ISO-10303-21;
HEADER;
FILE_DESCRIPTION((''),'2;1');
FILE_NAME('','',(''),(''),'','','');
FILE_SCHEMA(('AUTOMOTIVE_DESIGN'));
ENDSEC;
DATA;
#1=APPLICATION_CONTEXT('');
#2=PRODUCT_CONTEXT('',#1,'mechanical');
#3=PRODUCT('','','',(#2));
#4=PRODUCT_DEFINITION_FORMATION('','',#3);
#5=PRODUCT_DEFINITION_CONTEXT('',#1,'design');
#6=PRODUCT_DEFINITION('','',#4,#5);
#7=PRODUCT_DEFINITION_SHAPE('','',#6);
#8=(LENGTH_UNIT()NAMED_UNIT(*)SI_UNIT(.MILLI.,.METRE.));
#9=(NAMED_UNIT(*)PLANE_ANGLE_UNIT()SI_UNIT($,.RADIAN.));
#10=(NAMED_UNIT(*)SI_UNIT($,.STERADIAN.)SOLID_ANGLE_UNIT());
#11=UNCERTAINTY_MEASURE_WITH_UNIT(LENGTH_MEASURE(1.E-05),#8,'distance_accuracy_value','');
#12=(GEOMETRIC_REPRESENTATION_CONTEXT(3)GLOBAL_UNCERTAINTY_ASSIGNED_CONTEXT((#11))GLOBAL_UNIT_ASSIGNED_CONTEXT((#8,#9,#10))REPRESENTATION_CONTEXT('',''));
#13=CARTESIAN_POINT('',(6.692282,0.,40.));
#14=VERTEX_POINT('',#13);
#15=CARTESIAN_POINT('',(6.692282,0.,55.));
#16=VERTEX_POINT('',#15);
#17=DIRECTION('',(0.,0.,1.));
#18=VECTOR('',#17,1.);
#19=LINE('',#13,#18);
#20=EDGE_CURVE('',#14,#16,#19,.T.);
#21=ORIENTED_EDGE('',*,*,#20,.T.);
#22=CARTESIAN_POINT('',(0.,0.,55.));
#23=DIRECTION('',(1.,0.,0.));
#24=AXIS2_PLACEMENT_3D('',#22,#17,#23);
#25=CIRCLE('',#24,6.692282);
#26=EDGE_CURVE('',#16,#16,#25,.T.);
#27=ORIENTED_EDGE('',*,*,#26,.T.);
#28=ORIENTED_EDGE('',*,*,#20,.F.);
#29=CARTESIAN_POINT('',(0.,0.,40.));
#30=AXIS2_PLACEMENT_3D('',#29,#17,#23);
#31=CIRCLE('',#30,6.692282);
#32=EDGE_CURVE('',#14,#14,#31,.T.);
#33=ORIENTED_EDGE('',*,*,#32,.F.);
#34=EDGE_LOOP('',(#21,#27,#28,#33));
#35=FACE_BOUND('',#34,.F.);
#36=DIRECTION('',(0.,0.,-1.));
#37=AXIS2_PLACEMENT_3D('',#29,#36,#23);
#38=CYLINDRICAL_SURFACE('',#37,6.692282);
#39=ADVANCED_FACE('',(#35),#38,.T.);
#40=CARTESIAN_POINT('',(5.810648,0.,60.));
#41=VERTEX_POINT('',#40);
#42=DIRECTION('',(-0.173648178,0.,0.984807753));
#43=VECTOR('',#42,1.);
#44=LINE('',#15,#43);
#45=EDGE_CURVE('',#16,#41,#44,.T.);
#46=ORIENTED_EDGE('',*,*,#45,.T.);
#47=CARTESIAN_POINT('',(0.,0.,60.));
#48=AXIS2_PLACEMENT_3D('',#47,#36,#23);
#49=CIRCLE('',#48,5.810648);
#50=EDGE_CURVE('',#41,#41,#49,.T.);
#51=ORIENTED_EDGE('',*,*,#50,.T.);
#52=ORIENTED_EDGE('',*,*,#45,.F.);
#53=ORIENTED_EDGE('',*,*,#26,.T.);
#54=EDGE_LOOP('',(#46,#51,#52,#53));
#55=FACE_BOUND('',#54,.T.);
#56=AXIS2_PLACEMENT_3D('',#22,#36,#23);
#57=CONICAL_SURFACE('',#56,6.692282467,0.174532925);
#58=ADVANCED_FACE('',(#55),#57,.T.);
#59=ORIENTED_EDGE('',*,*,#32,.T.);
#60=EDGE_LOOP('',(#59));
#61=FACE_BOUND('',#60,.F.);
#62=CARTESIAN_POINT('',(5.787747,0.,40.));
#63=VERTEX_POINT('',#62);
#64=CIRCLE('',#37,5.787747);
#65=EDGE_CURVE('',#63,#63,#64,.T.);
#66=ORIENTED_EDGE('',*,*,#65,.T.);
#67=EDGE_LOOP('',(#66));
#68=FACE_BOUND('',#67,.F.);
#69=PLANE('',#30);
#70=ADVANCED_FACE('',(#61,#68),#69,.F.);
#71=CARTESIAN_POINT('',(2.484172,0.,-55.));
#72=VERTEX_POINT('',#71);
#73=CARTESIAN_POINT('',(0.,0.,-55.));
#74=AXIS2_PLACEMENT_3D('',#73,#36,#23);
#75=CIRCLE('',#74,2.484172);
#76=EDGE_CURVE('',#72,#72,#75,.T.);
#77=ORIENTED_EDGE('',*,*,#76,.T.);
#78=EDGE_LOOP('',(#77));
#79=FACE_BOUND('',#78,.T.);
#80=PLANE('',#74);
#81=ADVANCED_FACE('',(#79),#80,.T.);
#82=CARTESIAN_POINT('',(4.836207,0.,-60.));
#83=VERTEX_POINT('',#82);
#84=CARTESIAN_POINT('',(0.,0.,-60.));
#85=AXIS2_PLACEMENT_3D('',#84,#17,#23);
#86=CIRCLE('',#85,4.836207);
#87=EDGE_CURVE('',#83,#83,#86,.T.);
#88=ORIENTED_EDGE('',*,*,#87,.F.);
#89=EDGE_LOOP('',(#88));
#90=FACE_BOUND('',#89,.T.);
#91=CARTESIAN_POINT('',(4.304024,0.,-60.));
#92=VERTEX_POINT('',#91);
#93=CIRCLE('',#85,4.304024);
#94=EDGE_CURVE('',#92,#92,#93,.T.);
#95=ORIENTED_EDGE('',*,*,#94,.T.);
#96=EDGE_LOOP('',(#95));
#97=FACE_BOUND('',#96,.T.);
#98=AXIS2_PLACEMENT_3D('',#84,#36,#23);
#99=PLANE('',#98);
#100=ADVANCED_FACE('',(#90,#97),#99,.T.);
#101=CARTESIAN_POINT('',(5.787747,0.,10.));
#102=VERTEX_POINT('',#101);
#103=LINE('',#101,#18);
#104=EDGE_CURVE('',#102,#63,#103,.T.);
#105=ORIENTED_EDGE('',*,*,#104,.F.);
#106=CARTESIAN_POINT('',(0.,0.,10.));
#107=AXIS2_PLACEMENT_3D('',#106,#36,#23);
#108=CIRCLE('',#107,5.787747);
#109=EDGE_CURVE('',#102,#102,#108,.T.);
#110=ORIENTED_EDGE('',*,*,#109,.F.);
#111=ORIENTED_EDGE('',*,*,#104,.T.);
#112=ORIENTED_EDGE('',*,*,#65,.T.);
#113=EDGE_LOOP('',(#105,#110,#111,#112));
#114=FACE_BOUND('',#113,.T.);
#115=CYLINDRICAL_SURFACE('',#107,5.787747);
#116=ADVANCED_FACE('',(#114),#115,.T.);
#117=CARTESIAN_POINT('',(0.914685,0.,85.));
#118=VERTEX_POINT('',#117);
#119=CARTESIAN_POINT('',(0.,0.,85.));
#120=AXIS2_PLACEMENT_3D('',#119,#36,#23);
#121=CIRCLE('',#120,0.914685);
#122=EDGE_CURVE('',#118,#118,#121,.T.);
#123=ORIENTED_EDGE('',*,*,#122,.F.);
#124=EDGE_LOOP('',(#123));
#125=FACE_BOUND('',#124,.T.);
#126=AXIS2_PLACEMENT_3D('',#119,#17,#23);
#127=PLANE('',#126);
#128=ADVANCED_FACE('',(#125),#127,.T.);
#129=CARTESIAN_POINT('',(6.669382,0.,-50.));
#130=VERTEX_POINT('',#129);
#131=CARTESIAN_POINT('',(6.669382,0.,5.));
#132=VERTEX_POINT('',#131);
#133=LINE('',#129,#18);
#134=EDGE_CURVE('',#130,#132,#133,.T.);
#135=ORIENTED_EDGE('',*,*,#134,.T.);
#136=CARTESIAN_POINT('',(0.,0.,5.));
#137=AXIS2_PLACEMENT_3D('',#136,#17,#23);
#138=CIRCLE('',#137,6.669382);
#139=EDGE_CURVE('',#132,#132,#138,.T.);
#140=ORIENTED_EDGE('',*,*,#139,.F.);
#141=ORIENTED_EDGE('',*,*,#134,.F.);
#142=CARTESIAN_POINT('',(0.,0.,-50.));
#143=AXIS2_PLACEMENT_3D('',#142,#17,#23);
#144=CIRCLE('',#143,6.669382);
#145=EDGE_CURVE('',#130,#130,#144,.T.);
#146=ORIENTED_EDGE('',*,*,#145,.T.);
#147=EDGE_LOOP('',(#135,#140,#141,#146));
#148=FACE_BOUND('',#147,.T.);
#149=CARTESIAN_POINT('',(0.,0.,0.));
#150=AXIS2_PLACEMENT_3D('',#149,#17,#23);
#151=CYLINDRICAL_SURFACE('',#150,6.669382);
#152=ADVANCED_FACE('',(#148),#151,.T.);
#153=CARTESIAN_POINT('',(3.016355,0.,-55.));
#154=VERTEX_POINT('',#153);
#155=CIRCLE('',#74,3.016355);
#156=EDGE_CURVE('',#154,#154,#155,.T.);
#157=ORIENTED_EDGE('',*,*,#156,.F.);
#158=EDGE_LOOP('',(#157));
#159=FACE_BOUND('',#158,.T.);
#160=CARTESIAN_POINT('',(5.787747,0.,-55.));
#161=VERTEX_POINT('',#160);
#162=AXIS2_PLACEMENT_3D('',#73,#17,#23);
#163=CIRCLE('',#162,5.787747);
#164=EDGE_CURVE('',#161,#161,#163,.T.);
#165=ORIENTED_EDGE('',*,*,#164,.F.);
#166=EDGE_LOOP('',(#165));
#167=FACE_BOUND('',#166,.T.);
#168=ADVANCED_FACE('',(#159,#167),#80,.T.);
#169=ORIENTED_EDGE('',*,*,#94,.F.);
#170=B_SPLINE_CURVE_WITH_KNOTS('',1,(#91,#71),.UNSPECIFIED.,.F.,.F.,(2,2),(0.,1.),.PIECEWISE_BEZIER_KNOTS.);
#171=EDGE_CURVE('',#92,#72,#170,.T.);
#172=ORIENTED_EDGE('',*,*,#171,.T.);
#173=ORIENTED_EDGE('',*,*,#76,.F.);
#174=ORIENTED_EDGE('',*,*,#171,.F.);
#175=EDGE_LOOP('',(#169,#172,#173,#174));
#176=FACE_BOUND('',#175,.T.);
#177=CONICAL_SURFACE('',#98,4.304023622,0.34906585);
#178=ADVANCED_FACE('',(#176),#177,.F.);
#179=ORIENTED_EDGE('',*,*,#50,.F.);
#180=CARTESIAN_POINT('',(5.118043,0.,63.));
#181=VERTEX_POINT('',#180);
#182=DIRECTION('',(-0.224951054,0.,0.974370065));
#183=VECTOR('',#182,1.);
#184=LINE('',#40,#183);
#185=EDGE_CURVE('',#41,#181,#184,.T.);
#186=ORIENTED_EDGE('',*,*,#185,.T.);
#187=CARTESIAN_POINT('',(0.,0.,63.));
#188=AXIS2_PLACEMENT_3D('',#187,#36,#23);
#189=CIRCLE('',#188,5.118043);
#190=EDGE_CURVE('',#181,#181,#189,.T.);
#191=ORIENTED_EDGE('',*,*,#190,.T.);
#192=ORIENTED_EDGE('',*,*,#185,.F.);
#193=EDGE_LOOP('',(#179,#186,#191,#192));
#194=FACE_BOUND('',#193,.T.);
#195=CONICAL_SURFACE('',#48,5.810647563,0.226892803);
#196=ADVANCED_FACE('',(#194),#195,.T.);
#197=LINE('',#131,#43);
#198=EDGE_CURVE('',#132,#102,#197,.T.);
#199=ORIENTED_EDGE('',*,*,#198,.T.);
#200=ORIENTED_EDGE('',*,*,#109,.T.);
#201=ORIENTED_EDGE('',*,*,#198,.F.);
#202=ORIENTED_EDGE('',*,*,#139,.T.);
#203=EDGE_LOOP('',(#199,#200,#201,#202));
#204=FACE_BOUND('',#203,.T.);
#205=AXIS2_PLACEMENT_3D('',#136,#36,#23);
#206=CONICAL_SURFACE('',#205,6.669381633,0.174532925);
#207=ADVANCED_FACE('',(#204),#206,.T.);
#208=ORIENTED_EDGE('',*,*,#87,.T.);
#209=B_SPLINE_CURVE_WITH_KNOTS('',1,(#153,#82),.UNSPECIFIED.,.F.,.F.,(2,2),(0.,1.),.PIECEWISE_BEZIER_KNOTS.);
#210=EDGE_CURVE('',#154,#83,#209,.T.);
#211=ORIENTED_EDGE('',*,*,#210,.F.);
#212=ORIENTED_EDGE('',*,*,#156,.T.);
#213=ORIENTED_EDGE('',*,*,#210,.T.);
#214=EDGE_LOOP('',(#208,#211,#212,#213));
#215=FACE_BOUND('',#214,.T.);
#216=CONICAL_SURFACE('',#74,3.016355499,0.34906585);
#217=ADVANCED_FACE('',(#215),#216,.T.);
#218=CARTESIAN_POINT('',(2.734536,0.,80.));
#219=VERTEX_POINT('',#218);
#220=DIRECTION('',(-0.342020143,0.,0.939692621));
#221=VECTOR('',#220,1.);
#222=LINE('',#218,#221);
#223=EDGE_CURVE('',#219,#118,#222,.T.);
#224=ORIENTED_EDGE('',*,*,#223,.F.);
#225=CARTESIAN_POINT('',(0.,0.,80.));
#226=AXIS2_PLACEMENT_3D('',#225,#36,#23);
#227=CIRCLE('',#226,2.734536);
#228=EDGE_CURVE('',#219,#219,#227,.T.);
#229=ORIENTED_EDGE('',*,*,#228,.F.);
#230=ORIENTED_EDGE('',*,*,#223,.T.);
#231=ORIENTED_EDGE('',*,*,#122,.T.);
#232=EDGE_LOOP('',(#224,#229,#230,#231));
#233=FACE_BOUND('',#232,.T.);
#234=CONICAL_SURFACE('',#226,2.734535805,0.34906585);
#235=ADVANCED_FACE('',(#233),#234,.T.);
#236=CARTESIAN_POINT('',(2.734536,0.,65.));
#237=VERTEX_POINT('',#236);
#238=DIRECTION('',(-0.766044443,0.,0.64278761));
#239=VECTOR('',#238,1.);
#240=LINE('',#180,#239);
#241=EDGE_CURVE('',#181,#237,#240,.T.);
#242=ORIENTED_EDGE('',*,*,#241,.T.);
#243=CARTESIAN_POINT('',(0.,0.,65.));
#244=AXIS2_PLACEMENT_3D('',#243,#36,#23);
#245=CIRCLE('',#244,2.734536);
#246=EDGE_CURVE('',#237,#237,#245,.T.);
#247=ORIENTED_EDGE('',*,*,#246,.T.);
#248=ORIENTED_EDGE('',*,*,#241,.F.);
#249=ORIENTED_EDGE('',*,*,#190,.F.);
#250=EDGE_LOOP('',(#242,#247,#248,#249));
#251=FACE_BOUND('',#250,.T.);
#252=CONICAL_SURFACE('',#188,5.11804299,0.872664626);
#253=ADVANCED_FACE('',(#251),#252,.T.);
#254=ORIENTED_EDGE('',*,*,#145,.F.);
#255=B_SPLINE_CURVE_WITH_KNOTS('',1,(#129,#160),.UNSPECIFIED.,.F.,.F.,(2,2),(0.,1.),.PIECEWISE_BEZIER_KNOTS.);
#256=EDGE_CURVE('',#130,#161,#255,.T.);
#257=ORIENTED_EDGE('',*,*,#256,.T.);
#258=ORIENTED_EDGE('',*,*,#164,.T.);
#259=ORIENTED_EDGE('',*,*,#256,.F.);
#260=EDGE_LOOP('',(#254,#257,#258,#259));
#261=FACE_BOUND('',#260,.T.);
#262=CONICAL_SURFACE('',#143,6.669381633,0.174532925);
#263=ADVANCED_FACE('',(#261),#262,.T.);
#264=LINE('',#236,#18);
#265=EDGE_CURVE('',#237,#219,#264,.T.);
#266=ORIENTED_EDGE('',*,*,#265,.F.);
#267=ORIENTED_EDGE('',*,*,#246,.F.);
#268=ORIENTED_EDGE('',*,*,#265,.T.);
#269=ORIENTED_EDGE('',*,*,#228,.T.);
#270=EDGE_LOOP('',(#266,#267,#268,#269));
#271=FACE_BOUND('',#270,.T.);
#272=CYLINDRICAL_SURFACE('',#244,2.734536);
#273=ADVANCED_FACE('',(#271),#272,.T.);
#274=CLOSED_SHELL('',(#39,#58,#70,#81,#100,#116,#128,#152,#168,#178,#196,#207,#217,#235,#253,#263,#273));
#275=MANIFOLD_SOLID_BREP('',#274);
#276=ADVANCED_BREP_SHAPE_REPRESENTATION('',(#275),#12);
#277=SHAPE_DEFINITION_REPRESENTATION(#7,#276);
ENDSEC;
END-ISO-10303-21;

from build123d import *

# Parameters (mm, degrees)
F0_R          = 6.6693816334
F1_DEPTH      = 5
F1_DEPTH_BACK = 50
F1_FACE_R     = 6.6693816334
F2_DEPTH      = 5
F2_TAPER      = 10
F1_FACE1_R    = 6.6693816334
F3_DEPTH      = 5
F3_TAPER      = 10
F4_R          = 3.0163554994
F5_DEPTH      = 5
F5_TAPER      = -20
F6_R          = 4.3040236216
F7_DEPTH      = 5
F7_TAPER      = 20
F8_DEPTH      = 30
F9_R          = 6.6922824671
F10_DEPTH     = 15
F10_FACE_R    = 6.6922824671
F11_DEPTH     = 5
F11_TAPER     = 10
F11_FACE_R    = 5.8106475635
F12_DEPTH     = 3
F12_TAPER     = 13
F12_FACE_R    = 5.1180429902
F13_DEPTH     = 2
F13_TAPER     = 50
F14_DEPTH     = 15
F14_FACE_R    = 2.734535805
F15_DEPTH     = 5
F15_TAPER     = 20


with BuildPart() as f1:
    # F0 (on Top) → F1 (new body, two sides)
    with BuildSketch(Plane.XY) as f1_sk:
        Circle(F0_R)
    extrude(amount=F1_DEPTH)
    extrude(f1_sk.sketch, amount=-F1_DEPTH_BACK)

    # F1_face (on face) → F2 (join)
    with BuildSketch(Plane.XY.offset(5)):
        Circle(F1_FACE_R)
    extrude(amount=F2_DEPTH, taper=F2_TAPER)

    # F1_face1 (on face) → F3 (join)
    with BuildSketch(Plane(origin=(0, 0, -50), x_dir=(1, 0, 0), z_dir=(0, 0, -1))):
        Circle(F1_FACE1_R)
    extrude(amount=F3_DEPTH, taper=F3_TAPER)

    # F4 (on face) → F5 (join)
    with BuildSketch(Plane(origin=(0, 0, -55), x_dir=(1, 0, 0), z_dir=(0, 0, -1))):
        Circle(F4_R)
    extrude(amount=F5_DEPTH, taper=F5_TAPER)

    # F6 (on face) → F7 (cut)
    with BuildSketch(Plane(origin=(0, 0, -60), x_dir=(1, 0, 0), z_dir=(0, 0, -1))):
        Circle(F6_R)
    extrude(amount=-F7_DEPTH, taper=F7_TAPER, mode=Mode.SUBTRACT)

    # F8 (add): a face of the model
    f8_faces = [f1.faces().sort_by_distance(p)[0] for p in [
        (0, 0, 10),
    ]]
    extrude(f8_faces, amount=F8_DEPTH)

    # F9 (on face) → F10 (join)
    with BuildSketch(Plane.XY.offset(40)):
        Circle(F9_R)
    extrude(amount=F10_DEPTH)

    # F10_face (on face) → F11 (join)
    with BuildSketch(Plane.XY.offset(55)):
        Circle(F10_FACE_R)
    extrude(amount=F11_DEPTH, taper=F11_TAPER)

    # F11_face (on face) → F12 (join)
    with BuildSketch(Plane.XY.offset(60)):
        Circle(F11_FACE_R)
    extrude(amount=F12_DEPTH, taper=F12_TAPER)

    # F12_face (on face) → F13 (join)
    with BuildSketch(Plane.XY.offset(63)):
        Circle(F12_FACE_R)
    extrude(amount=F13_DEPTH, taper=F13_TAPER)

    # F14 (add): a face of the model
    f14_faces = [f1.faces().sort_by_distance(p)[0] for p in [
        (0, 0, 65),
    ]]
    extrude(f14_faces, amount=F14_DEPTH)

    # F14_face (on face) → F15 (join)
    with BuildSketch(Plane.XY.offset(80)):
        Circle(F14_FACE_R)
    extrude(amount=F15_DEPTH, taper=F15_TAPER)


solid = f1.part
